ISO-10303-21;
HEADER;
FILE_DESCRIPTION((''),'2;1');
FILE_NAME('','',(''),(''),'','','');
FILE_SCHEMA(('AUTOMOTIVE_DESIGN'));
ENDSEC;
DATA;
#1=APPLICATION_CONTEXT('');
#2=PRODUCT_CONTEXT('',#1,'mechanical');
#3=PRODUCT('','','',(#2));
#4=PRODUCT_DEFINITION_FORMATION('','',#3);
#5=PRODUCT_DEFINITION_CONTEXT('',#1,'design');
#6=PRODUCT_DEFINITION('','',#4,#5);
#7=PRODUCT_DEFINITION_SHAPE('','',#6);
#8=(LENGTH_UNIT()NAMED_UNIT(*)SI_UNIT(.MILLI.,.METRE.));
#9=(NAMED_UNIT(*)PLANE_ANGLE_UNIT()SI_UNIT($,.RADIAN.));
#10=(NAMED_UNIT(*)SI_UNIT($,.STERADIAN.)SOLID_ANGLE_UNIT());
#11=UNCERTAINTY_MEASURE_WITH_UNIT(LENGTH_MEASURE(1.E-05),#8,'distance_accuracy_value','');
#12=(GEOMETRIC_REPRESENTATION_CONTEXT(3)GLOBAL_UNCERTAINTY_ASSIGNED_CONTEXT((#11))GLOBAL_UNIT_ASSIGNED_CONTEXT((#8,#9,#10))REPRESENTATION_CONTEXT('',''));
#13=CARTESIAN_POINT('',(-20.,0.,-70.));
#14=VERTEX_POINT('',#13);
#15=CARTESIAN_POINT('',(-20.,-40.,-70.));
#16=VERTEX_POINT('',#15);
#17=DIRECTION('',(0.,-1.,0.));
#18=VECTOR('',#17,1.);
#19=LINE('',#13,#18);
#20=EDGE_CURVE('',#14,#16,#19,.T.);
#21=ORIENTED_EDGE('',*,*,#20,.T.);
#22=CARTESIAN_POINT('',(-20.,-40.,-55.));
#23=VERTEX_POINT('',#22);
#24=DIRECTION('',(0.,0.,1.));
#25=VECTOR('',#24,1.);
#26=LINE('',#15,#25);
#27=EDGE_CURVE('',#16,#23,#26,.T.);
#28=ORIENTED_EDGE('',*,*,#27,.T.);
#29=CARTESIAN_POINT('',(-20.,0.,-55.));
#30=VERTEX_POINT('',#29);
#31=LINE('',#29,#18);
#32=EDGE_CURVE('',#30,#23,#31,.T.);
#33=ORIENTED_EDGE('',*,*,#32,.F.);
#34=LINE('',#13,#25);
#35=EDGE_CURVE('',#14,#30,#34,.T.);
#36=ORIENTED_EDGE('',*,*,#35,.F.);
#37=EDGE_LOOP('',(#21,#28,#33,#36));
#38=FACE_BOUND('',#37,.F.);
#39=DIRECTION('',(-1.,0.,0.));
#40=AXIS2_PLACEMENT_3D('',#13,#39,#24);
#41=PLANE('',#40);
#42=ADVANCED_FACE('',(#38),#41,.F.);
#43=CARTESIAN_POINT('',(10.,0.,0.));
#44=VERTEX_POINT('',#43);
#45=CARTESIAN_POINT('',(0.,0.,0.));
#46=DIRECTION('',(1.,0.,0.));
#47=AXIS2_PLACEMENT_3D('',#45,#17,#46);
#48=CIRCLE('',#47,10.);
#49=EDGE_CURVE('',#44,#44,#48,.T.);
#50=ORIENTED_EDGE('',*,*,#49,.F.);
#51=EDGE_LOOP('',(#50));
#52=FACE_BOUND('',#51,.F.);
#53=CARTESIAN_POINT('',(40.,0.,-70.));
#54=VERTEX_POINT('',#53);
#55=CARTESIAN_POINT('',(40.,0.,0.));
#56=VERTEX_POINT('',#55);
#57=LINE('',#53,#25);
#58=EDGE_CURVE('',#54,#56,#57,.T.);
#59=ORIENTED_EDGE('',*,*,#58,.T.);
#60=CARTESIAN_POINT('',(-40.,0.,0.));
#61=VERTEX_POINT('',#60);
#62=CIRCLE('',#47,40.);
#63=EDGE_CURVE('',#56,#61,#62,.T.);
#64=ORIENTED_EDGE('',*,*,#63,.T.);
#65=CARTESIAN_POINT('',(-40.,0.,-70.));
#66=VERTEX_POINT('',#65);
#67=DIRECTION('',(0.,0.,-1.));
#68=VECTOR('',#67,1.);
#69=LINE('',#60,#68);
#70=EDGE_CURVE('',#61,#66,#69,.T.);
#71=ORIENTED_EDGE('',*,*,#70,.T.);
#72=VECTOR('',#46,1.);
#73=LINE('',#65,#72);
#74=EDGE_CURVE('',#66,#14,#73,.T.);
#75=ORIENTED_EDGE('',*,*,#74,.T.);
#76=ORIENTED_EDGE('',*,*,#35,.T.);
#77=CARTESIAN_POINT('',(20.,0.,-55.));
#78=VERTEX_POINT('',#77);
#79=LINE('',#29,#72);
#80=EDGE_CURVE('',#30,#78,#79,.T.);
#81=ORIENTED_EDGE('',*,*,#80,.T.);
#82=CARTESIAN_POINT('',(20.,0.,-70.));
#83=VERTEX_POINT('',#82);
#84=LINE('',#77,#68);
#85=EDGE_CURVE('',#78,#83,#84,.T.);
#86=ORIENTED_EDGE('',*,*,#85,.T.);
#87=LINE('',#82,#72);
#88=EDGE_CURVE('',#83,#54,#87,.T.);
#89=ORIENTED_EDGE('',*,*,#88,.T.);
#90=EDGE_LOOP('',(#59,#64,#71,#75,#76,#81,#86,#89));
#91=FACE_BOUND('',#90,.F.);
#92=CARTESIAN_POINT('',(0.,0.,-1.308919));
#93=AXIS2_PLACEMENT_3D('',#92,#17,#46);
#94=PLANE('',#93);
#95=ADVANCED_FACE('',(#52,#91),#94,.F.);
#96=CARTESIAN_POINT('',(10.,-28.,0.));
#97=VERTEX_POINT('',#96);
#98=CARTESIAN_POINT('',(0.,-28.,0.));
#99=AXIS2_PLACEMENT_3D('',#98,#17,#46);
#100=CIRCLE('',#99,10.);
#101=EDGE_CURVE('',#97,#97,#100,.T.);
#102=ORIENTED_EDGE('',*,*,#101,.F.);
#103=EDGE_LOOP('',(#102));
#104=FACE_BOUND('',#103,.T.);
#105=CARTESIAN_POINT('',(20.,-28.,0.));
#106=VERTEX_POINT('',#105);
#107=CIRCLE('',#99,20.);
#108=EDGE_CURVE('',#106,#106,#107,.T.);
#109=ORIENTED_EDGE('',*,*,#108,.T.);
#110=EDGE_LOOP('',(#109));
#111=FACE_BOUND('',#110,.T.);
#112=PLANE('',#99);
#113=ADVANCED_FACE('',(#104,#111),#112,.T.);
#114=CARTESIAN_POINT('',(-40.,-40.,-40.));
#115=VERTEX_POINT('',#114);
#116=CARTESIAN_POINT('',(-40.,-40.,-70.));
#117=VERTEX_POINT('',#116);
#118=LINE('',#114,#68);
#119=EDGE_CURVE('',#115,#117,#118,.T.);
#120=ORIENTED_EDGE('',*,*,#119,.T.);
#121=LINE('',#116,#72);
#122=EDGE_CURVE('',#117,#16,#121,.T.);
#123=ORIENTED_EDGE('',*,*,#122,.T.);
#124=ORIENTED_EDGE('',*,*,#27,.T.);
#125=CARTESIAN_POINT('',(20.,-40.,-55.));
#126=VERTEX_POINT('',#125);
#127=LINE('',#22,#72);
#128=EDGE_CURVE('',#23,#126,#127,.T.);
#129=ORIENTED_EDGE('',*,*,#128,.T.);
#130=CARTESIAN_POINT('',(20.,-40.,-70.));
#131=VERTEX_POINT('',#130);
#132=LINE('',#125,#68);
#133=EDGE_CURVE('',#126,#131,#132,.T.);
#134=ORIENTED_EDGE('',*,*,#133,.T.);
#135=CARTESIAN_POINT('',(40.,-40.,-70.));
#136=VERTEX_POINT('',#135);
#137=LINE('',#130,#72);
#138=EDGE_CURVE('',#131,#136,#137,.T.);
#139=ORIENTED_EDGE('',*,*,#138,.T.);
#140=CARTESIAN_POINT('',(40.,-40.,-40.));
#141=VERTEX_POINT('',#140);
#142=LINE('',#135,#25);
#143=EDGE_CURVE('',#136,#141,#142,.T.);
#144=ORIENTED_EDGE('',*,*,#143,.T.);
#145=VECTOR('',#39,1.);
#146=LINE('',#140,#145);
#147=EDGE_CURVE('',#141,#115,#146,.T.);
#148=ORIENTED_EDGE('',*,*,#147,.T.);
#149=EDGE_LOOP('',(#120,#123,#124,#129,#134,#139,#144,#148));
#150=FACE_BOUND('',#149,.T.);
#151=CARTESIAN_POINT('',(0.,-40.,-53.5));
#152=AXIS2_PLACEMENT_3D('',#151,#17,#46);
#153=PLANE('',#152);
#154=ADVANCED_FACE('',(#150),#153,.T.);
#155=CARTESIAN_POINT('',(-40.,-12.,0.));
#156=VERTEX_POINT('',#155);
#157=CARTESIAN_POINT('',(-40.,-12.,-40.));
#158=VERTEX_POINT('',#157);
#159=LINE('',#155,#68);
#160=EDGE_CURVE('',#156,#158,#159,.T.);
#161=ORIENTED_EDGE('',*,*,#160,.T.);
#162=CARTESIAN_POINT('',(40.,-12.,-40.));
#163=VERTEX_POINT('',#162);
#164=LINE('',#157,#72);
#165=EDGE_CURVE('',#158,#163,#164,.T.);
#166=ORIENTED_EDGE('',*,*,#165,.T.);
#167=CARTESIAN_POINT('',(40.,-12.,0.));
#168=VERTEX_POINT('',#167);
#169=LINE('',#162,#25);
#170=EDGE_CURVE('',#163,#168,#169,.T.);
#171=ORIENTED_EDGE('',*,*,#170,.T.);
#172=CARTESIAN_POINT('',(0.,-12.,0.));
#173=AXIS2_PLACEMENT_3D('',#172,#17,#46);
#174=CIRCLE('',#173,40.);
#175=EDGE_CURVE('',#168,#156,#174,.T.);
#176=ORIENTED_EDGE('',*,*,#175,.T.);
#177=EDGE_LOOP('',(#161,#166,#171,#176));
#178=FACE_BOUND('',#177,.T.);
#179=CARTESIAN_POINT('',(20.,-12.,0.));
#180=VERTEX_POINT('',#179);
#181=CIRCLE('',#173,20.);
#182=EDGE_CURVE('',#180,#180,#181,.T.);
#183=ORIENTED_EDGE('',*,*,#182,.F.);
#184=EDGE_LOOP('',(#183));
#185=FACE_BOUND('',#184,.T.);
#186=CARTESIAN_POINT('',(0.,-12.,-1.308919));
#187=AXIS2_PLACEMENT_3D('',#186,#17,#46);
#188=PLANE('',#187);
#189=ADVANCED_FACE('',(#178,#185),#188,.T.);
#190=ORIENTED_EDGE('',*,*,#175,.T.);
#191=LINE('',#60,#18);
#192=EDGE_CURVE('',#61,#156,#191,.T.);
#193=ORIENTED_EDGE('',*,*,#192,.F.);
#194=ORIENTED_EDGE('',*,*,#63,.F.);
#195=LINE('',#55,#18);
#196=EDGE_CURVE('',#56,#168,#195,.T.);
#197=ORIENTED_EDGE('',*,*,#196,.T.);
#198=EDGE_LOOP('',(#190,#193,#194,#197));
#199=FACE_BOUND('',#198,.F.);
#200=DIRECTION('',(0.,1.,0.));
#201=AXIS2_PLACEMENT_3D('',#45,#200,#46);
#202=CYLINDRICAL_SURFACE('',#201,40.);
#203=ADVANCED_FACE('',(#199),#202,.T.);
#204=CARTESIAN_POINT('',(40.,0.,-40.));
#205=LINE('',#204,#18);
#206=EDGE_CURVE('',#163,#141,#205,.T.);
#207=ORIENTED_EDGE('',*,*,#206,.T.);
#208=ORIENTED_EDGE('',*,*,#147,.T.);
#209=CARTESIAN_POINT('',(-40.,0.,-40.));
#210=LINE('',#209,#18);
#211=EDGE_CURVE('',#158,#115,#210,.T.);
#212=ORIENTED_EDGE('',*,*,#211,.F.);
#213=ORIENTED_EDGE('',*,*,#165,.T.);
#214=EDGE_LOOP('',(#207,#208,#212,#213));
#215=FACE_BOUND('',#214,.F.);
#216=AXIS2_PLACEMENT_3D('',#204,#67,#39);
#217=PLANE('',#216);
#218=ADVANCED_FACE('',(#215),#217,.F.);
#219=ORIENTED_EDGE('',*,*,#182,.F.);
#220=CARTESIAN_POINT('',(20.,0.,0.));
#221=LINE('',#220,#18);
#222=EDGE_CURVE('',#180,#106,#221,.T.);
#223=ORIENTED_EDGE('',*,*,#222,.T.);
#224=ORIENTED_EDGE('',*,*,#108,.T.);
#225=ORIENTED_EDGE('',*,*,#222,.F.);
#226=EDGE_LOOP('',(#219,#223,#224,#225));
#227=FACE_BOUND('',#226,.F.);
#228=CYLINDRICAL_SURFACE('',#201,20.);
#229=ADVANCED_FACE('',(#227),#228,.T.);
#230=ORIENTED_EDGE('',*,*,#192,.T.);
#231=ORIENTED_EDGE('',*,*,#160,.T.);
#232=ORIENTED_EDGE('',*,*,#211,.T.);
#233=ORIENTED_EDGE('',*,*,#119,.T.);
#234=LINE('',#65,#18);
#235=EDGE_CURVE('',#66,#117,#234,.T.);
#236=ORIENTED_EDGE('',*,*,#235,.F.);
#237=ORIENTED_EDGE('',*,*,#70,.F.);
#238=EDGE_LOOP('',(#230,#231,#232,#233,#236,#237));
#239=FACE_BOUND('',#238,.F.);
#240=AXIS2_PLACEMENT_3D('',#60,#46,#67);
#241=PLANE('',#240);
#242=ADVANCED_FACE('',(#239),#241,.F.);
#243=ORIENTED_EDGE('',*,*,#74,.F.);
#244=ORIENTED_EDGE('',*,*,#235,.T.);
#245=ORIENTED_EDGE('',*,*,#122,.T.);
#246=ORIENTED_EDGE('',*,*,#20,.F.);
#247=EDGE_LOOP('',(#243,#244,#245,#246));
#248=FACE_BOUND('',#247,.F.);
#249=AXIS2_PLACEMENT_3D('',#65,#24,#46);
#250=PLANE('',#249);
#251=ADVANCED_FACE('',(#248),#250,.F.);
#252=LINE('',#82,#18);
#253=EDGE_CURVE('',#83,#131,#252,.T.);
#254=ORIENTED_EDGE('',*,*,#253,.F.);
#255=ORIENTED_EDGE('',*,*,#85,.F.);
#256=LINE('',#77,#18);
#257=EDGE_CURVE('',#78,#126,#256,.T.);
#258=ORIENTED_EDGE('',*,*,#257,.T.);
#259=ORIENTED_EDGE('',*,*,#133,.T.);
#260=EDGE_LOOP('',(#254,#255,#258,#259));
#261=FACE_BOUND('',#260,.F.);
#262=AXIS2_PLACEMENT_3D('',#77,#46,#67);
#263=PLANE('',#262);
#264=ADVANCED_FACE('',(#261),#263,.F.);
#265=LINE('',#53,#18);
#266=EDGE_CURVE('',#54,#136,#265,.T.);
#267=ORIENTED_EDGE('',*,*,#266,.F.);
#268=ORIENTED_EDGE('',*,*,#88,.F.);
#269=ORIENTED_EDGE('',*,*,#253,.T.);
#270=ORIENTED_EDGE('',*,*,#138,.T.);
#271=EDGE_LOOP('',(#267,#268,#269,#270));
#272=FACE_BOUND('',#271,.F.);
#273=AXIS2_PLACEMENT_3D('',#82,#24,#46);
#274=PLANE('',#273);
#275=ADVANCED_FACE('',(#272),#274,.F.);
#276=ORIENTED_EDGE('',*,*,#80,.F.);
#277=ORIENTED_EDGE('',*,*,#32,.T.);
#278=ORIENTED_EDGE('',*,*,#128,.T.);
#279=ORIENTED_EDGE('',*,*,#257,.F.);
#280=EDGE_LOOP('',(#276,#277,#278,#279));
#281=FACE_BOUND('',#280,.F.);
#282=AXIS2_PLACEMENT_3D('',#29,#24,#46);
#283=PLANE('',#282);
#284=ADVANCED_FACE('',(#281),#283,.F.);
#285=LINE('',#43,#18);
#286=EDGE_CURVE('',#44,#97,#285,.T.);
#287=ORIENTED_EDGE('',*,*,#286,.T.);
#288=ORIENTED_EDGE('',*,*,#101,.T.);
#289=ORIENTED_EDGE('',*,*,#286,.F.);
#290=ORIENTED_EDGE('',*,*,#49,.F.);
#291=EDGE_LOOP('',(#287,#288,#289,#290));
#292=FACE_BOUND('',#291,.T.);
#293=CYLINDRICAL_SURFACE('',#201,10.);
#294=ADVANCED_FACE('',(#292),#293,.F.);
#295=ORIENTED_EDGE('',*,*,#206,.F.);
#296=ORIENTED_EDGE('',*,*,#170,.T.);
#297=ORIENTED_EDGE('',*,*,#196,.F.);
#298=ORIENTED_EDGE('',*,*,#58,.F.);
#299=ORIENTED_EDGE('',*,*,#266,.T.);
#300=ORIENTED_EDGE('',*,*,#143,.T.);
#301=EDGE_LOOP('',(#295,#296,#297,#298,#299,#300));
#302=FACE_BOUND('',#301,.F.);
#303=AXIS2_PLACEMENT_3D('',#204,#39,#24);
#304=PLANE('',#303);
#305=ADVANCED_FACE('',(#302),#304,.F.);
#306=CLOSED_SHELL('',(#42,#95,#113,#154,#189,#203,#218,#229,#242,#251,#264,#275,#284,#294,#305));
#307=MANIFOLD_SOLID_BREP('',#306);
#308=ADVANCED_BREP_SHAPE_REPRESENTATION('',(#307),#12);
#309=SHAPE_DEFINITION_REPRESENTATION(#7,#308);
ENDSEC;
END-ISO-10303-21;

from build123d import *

# Parameters (mm, degrees)
F0_R     = 20
F0_R_2   = 10
F1_DEPTH = 28
F2_DEPTH = 40
F3_DEPTH = 12


with BuildPart() as f1:
    # F0 (on Front) → F1 (new body)
    with BuildSketch(Plane.XZ):
        Circle(F0_R)
        Circle(F0_R_2, mode=Mode.SUBTRACT)
    extrude(amount=F1_DEPTH)



with BuildPart() as f2:
    # F0 (on Front) → F2 (new body)
    with BuildSketch(Plane.XZ):
        Polygon((40, -40), (0, -40), (-40, -40), (-40, -70), (-20, -70), (-20, -55), (20, -55), (20, -70), (40, -70), align=None)
    extrude(amount=F2_DEPTH)


with BuildPart() as f1_1:
    add(f1.part)

    add(f2.part)  # F3 merges F2
    # F0 (on Front) → F3 (join)
    with BuildSketch(Plane.XZ):
        with BuildLine():
            ThreePointArc((0, -40), (28.2842712475, -28.2842712475), (40, 0))
            ThreePointArc((40, 0), (0, 40), (-40, 0))
            ThreePointArc((-40, 0), (-28.2842712475, -28.2842712475), (0, -40))
        make_face()
        Circle(F0_R, mode=Mode.SUBTRACT)
        with BuildLine():
            ThreePointArc((0, -40), (-28.2842712475, -28.2842712475), (-40, 0))
            Line((-40, 0), (-40, -40))
            Line((-40, -40), (0, -40))
        make_face()
        with BuildLine():
            Line((40, -40), (40, 0))
            ThreePointArc((40, 0), (28.2842712475, -28.2842712475), (0, -40))
            Line((0, -40), (40, -40))
        make_face()
    extrude(amount=F3_DEPTH)


solid = f1_1.part
